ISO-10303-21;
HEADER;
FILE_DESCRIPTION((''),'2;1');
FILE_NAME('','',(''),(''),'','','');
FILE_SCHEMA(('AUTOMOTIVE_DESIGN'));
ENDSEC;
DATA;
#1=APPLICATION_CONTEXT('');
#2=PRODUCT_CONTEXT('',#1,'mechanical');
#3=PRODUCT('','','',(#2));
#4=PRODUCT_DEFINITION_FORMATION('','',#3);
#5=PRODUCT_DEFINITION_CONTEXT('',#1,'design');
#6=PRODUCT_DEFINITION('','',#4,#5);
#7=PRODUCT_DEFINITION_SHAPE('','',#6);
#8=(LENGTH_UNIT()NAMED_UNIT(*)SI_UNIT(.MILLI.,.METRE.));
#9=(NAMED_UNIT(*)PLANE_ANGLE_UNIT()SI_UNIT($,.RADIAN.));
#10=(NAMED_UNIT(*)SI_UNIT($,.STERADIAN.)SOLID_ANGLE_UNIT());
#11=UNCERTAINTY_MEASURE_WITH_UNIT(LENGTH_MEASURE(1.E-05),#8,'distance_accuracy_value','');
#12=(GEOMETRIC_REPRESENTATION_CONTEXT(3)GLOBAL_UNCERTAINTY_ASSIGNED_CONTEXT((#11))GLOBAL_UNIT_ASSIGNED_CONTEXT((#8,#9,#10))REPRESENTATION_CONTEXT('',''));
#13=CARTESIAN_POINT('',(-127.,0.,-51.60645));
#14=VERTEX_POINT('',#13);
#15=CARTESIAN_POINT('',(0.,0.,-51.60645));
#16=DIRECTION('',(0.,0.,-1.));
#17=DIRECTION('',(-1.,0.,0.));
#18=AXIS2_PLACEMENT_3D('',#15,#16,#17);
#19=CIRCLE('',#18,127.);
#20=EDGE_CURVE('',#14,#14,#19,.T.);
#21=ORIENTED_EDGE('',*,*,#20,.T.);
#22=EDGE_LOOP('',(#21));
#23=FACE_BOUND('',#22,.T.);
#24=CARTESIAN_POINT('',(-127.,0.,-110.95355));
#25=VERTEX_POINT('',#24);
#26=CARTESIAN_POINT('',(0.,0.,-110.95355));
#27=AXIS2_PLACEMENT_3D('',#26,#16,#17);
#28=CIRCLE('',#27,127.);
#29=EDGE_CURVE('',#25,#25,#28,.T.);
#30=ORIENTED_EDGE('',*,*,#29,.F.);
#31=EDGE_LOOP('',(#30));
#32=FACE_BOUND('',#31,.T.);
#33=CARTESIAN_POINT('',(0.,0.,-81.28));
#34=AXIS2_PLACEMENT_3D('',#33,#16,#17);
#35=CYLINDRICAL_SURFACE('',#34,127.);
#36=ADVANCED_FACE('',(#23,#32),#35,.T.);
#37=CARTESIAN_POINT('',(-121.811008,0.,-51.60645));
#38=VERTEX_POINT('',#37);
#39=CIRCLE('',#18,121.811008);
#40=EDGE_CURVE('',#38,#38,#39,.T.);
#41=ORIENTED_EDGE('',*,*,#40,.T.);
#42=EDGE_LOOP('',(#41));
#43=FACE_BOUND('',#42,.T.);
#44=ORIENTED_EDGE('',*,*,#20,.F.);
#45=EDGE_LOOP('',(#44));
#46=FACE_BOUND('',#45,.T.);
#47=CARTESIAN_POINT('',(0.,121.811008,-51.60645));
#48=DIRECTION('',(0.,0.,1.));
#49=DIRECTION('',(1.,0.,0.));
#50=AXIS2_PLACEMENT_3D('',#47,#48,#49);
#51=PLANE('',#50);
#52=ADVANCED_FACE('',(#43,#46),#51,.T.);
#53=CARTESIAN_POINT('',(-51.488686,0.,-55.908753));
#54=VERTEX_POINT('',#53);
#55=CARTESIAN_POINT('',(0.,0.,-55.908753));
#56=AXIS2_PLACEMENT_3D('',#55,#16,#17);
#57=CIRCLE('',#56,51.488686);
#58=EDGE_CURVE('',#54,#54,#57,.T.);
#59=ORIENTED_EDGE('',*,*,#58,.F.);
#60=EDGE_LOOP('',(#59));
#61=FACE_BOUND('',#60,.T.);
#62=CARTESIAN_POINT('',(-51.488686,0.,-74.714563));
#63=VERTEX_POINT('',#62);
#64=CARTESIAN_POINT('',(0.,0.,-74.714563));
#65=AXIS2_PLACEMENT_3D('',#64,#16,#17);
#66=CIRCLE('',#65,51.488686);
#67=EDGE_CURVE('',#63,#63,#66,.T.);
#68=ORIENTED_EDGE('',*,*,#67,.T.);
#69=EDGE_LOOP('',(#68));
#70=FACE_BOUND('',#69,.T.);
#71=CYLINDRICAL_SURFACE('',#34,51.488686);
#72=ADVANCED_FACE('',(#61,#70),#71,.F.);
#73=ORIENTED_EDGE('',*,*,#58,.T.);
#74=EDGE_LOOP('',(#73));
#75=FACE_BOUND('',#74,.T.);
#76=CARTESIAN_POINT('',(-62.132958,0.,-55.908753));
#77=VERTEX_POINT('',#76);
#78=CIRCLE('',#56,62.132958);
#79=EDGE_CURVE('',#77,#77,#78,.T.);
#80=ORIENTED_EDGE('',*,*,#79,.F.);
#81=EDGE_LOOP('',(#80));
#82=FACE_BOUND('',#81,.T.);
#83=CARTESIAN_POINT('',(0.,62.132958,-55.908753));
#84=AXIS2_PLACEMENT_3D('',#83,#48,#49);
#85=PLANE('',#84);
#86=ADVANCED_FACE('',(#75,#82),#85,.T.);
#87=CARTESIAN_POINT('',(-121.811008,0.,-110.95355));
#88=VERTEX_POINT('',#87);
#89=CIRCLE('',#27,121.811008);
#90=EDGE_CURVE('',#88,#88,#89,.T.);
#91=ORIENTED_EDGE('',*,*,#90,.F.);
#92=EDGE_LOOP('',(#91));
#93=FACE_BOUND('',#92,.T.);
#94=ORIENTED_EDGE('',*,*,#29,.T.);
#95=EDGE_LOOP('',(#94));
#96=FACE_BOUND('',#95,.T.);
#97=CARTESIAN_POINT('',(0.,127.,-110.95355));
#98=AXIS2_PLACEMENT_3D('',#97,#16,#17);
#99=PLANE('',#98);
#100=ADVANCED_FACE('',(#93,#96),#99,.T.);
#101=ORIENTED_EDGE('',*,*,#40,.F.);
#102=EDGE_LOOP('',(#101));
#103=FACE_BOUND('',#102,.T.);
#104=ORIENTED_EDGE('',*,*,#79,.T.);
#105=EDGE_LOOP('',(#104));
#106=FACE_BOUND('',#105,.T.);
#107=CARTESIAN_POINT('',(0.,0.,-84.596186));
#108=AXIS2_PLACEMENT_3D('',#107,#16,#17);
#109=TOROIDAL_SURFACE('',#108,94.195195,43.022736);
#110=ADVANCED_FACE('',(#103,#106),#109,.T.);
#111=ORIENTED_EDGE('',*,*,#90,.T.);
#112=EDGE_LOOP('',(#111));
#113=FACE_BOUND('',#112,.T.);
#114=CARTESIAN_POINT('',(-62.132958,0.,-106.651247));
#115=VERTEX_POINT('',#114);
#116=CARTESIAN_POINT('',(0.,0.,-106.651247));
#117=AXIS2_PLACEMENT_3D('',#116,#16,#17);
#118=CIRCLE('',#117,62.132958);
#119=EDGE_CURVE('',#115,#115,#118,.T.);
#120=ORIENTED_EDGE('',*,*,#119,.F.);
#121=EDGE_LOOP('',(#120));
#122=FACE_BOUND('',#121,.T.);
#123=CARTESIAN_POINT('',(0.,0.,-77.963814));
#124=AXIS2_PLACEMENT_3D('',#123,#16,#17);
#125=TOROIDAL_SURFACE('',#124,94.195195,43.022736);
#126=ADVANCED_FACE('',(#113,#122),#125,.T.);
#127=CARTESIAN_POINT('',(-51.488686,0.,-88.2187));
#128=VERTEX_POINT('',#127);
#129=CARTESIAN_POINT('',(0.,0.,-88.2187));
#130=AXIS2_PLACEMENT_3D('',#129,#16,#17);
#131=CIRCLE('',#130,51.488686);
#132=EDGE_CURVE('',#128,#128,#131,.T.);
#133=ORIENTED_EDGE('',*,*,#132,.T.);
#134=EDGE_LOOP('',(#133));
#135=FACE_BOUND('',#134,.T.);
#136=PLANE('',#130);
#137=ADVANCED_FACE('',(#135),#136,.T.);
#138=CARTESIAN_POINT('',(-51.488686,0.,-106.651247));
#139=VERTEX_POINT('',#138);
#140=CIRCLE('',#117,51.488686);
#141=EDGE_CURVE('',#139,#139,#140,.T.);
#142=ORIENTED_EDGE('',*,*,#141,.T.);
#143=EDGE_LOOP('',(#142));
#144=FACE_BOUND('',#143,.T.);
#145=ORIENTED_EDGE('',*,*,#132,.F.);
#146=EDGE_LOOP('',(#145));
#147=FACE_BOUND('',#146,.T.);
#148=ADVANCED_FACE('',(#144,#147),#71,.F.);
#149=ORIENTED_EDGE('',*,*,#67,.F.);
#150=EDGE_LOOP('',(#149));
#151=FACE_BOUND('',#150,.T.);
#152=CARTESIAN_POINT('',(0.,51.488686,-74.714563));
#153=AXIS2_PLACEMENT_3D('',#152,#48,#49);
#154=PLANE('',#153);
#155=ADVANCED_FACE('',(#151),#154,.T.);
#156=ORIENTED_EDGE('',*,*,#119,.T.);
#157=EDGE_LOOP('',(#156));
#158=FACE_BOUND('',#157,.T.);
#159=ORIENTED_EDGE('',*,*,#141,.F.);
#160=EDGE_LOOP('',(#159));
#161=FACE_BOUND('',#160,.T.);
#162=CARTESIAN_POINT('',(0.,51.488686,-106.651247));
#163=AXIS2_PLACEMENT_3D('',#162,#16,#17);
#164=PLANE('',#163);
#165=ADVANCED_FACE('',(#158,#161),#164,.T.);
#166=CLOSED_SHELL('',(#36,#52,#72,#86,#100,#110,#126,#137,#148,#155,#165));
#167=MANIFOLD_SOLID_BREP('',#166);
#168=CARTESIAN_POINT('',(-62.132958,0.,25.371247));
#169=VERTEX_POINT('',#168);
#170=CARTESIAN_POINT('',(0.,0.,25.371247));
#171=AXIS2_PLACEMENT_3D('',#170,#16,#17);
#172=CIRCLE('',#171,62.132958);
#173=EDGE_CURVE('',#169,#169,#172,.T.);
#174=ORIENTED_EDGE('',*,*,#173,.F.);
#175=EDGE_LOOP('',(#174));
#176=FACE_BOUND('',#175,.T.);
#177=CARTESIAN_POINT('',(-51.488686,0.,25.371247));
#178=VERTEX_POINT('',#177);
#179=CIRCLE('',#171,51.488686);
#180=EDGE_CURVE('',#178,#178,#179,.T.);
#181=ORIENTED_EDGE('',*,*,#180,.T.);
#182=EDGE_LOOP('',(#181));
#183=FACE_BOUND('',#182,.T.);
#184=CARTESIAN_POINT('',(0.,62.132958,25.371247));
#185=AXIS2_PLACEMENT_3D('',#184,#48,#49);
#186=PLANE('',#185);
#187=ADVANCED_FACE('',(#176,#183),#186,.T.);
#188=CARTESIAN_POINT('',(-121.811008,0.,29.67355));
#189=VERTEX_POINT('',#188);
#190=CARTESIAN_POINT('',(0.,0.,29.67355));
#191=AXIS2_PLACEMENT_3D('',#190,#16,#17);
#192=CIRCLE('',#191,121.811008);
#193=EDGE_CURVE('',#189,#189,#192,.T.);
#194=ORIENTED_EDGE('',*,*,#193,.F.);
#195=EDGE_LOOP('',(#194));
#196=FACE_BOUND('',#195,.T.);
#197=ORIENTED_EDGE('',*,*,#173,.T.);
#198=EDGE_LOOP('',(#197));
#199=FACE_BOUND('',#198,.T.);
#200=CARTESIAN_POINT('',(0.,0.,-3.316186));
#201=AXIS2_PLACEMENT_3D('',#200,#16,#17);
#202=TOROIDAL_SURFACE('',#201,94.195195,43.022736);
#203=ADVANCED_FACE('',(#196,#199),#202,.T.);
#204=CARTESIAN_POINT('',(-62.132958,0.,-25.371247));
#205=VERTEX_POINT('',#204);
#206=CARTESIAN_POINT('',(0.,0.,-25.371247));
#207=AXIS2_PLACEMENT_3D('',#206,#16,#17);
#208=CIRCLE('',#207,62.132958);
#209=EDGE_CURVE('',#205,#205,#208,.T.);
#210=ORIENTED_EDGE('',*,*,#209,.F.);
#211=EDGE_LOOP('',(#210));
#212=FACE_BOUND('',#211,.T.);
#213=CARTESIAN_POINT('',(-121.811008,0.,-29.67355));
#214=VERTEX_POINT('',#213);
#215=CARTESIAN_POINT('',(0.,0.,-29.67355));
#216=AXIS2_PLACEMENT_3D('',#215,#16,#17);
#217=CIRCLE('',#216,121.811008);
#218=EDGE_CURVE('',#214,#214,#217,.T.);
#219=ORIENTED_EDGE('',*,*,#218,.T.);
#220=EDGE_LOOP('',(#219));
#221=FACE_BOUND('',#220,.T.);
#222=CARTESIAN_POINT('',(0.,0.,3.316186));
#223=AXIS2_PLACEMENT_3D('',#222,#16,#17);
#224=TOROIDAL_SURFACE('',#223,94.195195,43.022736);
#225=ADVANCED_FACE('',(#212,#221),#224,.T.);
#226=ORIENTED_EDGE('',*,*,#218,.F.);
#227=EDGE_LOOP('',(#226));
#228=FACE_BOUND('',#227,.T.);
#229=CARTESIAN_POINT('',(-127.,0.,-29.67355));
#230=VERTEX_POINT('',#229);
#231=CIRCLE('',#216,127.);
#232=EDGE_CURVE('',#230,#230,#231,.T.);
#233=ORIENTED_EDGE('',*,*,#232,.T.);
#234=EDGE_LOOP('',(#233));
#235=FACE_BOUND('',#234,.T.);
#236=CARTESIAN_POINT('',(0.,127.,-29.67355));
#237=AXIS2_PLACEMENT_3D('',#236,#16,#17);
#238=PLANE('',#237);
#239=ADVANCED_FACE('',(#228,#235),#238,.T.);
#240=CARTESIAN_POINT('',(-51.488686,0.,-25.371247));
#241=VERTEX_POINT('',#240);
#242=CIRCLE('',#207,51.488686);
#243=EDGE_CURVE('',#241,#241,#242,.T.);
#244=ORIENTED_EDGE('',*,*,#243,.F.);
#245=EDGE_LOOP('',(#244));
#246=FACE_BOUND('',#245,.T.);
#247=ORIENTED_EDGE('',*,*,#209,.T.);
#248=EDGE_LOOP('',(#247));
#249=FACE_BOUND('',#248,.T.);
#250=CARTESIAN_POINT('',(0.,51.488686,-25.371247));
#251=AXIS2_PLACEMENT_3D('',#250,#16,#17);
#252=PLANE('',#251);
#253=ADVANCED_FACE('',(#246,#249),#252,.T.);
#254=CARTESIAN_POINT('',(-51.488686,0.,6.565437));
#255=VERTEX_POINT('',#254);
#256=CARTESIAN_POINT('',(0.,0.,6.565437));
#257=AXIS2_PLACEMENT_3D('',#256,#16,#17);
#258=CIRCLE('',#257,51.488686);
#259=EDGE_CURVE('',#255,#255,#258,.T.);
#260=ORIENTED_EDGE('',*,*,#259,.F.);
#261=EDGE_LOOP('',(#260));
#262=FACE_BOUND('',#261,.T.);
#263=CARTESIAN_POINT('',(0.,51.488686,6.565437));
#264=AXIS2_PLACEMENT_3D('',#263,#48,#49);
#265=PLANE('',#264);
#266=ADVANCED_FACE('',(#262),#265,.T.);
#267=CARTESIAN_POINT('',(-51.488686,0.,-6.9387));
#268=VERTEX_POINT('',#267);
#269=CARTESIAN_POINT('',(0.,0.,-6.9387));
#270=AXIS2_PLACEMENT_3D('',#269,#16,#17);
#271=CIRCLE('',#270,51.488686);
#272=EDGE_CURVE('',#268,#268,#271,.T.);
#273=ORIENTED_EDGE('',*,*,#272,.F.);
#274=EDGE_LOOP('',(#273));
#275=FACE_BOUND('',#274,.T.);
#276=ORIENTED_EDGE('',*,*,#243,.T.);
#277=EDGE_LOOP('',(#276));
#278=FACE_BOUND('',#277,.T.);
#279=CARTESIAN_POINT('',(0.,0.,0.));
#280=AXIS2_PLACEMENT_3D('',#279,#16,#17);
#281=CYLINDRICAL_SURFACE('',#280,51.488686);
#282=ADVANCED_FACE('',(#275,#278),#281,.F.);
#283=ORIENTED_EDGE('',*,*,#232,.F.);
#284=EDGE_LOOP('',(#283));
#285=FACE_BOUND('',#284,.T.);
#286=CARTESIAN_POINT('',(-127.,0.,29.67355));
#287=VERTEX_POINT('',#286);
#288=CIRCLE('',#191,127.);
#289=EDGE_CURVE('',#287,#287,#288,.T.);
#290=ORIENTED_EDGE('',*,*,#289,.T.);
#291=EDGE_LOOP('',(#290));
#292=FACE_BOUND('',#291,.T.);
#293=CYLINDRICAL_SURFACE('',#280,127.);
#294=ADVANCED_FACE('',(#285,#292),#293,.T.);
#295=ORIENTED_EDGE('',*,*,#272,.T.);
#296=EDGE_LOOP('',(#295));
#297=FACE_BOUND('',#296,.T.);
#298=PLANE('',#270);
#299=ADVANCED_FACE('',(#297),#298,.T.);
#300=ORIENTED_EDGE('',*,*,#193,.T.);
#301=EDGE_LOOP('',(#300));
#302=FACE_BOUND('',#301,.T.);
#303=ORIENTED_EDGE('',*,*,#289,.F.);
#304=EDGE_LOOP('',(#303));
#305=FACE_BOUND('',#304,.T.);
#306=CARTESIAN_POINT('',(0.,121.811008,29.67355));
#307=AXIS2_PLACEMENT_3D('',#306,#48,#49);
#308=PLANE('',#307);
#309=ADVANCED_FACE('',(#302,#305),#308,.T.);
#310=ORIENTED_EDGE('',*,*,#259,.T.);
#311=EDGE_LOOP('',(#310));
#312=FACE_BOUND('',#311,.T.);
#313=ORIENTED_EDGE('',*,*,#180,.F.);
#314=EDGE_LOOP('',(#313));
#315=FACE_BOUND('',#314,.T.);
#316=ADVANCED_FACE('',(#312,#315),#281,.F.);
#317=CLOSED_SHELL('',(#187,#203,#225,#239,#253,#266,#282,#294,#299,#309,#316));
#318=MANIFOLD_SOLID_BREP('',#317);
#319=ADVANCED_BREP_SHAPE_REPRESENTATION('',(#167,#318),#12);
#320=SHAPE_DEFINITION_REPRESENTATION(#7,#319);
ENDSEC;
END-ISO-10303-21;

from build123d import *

# Parameters (mm, degrees)
LPATTERN1_COUNT = 2
LPATTERN1_PITCH = 81.28


with BuildPart() as part:
    # Sketch1 → Revolve1 (revolve)
    with BuildSketch(Plane(origin=(0, 0, 0), x_dir=(0, 0, -1), z_dir=(1, 0, 0)), mode=Mode.PRIVATE) as revolve1_sk:
        with BuildLine():
            Line((-25.371246969, 62.132957967), (-25.371246969, 51.488686035))
            Line((-25.371246969, 51.488686035), (-6.565437333, 51.488686035))
            Line((-6.565437333, 51.488686035), (-6.565437333, 0))
            Line((-6.565437333, 0), (6.938700483, 0))
            Line((6.938700483, 0), (6.938700483, 51.488686035))
            Line((6.938700483, 51.488686035), (25.371246969, 51.488686035))
            Line((25.371246969, 51.488686035), (25.371246969, 62.132957967))
            ThreePointArc((25.371246969, 62.132957967), (39.595184172, 91.101633012), (29.67355, 121.811007782))
            Line((29.67355, 121.811007782), (29.67355, 127))
            Line((29.67355, 127), (-29.67355, 127))
            Line((-29.67355, 127), (-29.67355, 121.811007782))
            ThreePointArc((-29.67355, 121.811007782), (-39.595184172, 91.101633012), (-25.371246969, 62.132957967))
        make_face()
    revolve(revolve1_sk.sketch.rotate(Axis((0, 0, 0), (0, 0, 1)), 90), axis=Axis((0, 0, 0), (0, 0, 1)))


with BuildPart() as lpattern1_1:
    # LPattern1: pattern copy
    add(part.part.moved(Location(Vector(0, 0, -1) * (1 * LPATTERN1_PITCH))))


solid = Compound([part.part, lpattern1_1.part])
